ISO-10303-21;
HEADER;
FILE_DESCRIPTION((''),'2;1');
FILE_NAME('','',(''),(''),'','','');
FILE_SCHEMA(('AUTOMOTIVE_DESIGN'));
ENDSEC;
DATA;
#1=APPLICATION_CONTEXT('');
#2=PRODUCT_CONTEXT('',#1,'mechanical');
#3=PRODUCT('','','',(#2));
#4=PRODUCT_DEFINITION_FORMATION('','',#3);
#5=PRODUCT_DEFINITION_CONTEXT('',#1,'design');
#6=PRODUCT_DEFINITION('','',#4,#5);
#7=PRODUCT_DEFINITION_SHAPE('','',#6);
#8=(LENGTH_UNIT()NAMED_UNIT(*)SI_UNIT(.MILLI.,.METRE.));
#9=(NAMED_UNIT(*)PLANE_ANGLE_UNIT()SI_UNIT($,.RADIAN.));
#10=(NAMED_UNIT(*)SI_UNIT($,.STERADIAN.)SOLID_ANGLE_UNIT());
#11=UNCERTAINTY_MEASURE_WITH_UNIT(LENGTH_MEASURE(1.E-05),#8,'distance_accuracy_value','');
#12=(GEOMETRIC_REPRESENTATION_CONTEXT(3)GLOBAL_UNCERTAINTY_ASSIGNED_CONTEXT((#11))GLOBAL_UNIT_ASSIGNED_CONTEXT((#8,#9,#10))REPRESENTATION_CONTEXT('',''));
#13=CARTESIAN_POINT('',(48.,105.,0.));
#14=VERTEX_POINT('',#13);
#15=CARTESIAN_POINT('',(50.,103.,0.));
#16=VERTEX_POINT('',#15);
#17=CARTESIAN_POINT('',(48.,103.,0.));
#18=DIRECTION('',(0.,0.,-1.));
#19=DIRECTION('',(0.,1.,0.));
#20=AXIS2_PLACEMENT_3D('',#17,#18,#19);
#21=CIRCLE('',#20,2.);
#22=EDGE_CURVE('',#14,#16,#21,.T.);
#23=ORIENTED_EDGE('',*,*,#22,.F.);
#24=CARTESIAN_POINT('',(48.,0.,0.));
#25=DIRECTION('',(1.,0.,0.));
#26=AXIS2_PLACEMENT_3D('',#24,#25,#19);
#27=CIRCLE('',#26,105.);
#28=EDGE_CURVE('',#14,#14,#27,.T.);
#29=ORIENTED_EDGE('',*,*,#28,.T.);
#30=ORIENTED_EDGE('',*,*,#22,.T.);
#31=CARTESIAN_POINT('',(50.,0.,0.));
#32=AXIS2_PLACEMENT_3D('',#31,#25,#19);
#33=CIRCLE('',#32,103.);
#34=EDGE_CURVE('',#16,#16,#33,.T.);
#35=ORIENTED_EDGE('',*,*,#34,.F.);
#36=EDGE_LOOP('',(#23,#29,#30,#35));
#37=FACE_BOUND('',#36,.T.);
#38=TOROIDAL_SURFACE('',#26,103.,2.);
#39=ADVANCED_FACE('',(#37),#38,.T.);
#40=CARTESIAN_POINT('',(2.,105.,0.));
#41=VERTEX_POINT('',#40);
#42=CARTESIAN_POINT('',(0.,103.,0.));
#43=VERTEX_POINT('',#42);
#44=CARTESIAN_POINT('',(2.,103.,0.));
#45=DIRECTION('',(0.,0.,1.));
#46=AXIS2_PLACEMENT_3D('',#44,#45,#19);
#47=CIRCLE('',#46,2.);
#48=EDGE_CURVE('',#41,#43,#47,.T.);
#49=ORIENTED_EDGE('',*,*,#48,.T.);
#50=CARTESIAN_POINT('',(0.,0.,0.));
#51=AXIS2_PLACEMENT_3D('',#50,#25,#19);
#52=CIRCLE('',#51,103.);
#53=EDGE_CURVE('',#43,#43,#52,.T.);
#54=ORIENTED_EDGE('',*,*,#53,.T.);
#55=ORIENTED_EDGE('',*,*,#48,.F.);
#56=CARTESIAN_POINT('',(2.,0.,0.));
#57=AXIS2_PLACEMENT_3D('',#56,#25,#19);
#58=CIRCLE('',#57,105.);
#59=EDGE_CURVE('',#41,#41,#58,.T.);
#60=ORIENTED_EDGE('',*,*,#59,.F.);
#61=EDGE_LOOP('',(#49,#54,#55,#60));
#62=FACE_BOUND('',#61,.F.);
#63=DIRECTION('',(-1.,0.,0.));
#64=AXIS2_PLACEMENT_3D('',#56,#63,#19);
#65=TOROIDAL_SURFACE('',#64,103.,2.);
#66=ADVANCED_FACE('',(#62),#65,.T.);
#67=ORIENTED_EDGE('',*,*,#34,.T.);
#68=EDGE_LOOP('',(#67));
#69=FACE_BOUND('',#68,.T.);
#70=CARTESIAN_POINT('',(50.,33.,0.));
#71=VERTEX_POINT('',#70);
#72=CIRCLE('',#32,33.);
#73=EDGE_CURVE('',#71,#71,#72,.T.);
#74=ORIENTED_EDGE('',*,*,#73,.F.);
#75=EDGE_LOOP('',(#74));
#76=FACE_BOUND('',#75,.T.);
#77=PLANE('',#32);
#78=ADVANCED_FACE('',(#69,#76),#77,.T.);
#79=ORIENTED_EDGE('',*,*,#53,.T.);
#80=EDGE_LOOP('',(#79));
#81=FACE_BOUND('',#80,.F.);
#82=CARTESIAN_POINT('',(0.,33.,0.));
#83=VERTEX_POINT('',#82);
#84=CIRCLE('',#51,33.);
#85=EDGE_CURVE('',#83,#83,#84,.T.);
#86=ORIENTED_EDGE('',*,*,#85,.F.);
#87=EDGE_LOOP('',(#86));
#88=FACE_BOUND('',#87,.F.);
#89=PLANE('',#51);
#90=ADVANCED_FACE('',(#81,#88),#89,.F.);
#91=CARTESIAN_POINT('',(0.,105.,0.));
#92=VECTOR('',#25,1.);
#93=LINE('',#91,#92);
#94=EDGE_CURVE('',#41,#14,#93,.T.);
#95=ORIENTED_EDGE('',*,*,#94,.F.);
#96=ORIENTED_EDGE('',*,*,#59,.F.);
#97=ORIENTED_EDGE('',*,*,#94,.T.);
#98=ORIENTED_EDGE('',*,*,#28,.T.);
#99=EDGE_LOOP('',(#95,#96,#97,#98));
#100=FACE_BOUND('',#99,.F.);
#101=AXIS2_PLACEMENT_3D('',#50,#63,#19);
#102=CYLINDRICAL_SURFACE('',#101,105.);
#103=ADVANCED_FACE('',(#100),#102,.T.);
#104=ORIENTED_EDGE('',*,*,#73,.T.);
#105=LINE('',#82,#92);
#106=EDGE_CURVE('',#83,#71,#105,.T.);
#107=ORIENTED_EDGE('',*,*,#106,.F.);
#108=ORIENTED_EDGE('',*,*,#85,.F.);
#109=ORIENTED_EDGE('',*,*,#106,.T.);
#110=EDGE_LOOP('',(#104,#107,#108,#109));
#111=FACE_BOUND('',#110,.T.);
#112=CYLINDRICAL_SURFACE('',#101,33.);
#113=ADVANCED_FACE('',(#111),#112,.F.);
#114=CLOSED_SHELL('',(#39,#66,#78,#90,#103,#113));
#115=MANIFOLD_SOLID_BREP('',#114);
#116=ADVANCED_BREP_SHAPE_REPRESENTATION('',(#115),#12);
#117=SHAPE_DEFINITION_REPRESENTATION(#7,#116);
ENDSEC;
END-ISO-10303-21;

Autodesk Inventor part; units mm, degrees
ref_plane "YZ Plane" through (0, 0, 0) normal (1, 0, 0) x (0, 1, 0)
ref_plane "XZ Plane" through (0, 0, 0) normal (0, 1, 0) x (-1, 0, 0)
ref_plane "XY Plane" through (0, 0, 0) normal (0, 0, 1) x (1, 0, 0)
sketch "Sketch1" plane through (0, 0, 0) normal (1, 0, 0) x (0, 1, 0)
  circle A0 centre (0, 0) radius 33
  circle A1 centre (0, 0) radius 105
extrude "Extrusion1" add sketch "Sketch1" along normal blind 50
fillet "Fillet1" radius 2 2 edges at (50, -105, 0) (0, -105, 0)
properties part number "weights"
